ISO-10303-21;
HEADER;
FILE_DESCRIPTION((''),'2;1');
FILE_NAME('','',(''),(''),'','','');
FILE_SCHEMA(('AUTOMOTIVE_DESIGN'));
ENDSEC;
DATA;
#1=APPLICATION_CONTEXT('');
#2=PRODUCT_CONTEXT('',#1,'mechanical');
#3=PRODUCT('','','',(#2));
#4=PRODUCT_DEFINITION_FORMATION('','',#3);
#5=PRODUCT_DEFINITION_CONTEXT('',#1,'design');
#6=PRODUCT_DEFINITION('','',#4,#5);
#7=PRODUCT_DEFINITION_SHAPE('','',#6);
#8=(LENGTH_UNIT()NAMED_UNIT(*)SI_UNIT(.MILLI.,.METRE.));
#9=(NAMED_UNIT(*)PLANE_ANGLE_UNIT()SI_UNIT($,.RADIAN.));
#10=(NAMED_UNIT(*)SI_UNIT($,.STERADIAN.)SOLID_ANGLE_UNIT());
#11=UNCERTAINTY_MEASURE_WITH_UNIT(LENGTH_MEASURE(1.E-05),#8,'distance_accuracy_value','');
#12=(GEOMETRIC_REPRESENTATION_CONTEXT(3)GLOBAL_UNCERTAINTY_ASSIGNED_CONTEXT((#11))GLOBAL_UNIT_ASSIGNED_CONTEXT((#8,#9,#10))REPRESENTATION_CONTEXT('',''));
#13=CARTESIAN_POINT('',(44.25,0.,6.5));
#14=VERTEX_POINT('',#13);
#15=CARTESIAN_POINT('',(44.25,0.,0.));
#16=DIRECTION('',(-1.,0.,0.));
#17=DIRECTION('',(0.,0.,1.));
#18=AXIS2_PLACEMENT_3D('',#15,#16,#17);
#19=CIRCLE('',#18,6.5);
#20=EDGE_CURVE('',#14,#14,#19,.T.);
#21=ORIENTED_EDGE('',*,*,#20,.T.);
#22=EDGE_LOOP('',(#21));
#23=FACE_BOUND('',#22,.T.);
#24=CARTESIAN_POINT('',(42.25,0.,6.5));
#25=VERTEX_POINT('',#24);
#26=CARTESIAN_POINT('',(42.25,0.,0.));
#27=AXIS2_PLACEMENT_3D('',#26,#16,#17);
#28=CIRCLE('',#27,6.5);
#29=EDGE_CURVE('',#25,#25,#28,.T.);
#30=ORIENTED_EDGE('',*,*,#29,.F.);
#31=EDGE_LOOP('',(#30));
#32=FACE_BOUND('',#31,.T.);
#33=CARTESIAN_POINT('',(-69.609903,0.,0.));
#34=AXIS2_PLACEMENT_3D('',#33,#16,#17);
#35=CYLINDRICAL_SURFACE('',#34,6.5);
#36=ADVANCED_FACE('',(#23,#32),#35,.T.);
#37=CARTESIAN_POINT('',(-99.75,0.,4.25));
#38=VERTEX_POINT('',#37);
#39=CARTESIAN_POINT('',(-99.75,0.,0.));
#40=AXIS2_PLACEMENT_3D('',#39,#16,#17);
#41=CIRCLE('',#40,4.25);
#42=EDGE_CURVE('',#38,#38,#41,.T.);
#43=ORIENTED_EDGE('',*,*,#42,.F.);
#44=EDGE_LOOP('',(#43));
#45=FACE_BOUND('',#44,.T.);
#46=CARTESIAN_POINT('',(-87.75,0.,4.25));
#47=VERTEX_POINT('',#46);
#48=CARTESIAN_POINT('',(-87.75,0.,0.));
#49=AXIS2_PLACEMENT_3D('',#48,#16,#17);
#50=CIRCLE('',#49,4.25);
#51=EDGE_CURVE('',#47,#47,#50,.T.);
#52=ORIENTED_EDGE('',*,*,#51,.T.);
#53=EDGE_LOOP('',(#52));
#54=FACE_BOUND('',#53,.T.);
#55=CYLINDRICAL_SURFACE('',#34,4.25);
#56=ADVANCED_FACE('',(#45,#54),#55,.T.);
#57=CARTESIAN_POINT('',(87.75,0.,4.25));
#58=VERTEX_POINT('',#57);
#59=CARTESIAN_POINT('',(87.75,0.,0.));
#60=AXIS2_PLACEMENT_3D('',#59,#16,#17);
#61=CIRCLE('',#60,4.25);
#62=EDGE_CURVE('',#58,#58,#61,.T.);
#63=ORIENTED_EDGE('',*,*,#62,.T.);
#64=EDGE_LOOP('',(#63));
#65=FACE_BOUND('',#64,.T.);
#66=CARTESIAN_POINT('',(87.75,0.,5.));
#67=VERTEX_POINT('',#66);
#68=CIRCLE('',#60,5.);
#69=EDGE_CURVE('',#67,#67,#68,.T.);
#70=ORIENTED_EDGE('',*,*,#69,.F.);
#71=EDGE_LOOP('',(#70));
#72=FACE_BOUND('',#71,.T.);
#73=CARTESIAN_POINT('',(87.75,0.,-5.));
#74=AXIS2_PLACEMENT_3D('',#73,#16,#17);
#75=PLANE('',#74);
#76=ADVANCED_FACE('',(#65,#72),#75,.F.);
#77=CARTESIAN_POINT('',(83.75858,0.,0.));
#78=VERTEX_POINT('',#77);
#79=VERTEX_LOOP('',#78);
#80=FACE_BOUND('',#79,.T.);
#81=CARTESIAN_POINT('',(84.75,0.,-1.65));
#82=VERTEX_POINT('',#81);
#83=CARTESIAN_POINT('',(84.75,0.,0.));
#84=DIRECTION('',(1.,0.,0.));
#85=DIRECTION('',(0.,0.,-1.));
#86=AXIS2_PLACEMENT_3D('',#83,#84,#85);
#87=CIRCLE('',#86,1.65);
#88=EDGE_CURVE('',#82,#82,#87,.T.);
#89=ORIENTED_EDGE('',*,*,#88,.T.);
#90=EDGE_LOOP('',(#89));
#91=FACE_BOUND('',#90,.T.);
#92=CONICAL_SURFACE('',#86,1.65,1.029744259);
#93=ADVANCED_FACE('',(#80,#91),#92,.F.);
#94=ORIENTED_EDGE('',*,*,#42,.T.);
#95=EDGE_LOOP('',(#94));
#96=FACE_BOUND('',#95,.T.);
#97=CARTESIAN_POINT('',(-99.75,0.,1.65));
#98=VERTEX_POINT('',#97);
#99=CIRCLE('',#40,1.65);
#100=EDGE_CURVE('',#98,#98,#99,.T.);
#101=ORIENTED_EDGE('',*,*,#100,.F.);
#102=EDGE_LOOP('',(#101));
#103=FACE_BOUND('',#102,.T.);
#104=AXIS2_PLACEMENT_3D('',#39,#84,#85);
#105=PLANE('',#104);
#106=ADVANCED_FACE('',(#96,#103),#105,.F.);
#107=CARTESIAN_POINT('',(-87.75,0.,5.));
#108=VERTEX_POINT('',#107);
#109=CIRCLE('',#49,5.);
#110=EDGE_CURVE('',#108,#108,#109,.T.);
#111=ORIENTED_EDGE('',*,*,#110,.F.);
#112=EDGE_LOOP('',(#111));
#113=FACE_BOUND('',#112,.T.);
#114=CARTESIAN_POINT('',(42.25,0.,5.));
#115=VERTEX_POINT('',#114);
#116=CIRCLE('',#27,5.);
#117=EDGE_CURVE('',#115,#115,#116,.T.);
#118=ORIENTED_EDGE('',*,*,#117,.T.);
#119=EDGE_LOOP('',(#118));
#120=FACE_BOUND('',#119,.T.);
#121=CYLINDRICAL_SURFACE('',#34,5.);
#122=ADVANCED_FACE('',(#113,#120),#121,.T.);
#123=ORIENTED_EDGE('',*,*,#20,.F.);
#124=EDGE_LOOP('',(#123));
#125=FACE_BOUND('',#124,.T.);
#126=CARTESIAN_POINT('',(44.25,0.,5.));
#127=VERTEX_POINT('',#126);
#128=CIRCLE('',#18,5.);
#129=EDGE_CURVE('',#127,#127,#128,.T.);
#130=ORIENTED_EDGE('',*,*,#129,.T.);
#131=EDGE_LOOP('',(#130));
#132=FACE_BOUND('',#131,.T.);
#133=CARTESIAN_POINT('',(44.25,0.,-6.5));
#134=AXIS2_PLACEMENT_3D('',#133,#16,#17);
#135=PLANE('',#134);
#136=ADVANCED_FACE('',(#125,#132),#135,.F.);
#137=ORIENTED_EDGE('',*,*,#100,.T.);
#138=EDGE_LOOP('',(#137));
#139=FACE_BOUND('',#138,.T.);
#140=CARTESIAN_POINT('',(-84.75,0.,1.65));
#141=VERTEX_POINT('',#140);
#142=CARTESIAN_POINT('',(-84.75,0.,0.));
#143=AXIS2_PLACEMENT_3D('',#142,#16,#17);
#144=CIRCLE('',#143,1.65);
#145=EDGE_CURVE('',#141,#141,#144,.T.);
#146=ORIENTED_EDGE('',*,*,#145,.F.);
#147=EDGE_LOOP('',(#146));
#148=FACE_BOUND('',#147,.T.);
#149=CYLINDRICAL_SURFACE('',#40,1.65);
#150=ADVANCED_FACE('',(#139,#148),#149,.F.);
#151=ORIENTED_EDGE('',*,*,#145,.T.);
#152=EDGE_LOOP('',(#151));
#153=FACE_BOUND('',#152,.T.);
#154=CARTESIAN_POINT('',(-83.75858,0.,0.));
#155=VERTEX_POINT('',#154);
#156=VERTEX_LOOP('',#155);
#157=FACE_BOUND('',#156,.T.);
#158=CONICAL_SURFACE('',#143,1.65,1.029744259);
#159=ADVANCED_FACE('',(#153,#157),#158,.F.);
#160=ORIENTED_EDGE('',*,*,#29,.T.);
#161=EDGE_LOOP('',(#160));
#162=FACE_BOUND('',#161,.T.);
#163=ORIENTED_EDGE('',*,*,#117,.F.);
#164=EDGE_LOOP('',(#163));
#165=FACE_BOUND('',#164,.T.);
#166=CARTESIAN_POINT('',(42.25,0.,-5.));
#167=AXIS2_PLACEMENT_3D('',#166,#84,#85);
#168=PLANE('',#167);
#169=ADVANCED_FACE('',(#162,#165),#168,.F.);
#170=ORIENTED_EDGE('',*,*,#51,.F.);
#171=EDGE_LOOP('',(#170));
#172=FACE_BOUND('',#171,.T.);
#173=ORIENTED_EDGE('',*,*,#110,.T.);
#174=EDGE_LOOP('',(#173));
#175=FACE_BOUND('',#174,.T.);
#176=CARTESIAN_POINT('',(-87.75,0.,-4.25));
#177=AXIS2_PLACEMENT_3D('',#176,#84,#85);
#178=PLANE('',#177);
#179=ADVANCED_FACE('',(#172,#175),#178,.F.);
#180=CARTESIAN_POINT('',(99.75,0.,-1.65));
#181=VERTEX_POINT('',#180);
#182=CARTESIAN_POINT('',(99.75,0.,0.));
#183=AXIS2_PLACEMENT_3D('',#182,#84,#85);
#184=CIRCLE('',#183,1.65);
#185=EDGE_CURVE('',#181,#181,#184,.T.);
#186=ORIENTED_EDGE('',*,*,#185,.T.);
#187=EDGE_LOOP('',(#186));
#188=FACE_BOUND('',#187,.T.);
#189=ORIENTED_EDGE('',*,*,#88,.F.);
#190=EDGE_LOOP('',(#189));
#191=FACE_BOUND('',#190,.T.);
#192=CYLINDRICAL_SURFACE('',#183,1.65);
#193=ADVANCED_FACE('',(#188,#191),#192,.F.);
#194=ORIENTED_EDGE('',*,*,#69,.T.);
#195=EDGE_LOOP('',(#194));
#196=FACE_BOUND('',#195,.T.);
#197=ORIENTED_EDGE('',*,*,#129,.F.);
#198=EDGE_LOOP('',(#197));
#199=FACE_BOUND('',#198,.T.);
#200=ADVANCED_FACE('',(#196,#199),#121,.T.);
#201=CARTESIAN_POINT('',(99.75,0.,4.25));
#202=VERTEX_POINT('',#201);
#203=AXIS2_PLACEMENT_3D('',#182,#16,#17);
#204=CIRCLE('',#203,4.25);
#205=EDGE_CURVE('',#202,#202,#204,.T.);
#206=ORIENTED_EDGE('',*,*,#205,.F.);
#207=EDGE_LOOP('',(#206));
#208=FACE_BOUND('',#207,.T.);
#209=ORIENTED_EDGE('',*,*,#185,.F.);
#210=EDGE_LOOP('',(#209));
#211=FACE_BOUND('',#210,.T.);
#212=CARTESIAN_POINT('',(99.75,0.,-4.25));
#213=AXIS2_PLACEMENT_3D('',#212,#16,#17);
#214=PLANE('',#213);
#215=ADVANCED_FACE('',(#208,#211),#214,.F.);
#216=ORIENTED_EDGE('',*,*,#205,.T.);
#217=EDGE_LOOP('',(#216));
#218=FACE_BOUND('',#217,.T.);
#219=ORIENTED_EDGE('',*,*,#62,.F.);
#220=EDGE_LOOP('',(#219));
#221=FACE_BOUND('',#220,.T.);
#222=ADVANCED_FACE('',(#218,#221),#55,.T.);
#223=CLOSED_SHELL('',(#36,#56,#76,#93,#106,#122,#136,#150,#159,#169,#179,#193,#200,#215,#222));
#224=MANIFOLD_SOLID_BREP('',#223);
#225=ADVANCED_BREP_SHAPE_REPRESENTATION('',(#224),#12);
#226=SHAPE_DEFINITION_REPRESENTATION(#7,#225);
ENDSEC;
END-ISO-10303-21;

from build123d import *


with BuildPart() as part:
    # Sketch2 → Revolve1 (revolve)
    with BuildSketch(Plane(origin=(0, 0, 0), x_dir=(1, 0, 0), z_dir=(0, 1, 0)), mode=Mode.PRIVATE) as revolve1_sk:
        Polygon((-99.75, 4.25), (-87.75, 4.25), (-87.75, 5), (42.25, 5), (42.25, 6.5), (44.25, 6.5), (44.25, 5), (87.75, 5), (87.75, 4.25), (99.75, 4.25), (99.75, 0), (-99.75, 0), align=None)
    revolve(revolve1_sk.sketch.rotate(Axis((-69.609903496, 0, 0), (1, 0, 0)), 180), axis=Axis((-69.609903496, 0, 0), (1, 0, 0)))

    # Sketch5 → M4x0.7 Tapped Hole1 (revolve, cut)
    with BuildSketch(Plane(origin=(99.75, 0, 0), x_dir=(0, 0, -1), z_dir=(0, 1, 0))):
        Polygon((0, 0), (0, 15.991420021), (1.65, 15), (1.65, 0), align=None)
    m4x0_7_tapped_hole1 = revolve(axis=Axis((106.1, 0, 0), (-1, 0, 0)), mode=Mode.SUBTRACT)

    # Mirror1: M4x0.7 Tapped Hole1 across plane
    add(m4x0_7_tapped_hole1.mirror(Plane(origin=(0, 0, 0), x_dir=(0, 0, 1), z_dir=(1, 0, 0))), mode=Mode.SUBTRACT)


solid = part.part
